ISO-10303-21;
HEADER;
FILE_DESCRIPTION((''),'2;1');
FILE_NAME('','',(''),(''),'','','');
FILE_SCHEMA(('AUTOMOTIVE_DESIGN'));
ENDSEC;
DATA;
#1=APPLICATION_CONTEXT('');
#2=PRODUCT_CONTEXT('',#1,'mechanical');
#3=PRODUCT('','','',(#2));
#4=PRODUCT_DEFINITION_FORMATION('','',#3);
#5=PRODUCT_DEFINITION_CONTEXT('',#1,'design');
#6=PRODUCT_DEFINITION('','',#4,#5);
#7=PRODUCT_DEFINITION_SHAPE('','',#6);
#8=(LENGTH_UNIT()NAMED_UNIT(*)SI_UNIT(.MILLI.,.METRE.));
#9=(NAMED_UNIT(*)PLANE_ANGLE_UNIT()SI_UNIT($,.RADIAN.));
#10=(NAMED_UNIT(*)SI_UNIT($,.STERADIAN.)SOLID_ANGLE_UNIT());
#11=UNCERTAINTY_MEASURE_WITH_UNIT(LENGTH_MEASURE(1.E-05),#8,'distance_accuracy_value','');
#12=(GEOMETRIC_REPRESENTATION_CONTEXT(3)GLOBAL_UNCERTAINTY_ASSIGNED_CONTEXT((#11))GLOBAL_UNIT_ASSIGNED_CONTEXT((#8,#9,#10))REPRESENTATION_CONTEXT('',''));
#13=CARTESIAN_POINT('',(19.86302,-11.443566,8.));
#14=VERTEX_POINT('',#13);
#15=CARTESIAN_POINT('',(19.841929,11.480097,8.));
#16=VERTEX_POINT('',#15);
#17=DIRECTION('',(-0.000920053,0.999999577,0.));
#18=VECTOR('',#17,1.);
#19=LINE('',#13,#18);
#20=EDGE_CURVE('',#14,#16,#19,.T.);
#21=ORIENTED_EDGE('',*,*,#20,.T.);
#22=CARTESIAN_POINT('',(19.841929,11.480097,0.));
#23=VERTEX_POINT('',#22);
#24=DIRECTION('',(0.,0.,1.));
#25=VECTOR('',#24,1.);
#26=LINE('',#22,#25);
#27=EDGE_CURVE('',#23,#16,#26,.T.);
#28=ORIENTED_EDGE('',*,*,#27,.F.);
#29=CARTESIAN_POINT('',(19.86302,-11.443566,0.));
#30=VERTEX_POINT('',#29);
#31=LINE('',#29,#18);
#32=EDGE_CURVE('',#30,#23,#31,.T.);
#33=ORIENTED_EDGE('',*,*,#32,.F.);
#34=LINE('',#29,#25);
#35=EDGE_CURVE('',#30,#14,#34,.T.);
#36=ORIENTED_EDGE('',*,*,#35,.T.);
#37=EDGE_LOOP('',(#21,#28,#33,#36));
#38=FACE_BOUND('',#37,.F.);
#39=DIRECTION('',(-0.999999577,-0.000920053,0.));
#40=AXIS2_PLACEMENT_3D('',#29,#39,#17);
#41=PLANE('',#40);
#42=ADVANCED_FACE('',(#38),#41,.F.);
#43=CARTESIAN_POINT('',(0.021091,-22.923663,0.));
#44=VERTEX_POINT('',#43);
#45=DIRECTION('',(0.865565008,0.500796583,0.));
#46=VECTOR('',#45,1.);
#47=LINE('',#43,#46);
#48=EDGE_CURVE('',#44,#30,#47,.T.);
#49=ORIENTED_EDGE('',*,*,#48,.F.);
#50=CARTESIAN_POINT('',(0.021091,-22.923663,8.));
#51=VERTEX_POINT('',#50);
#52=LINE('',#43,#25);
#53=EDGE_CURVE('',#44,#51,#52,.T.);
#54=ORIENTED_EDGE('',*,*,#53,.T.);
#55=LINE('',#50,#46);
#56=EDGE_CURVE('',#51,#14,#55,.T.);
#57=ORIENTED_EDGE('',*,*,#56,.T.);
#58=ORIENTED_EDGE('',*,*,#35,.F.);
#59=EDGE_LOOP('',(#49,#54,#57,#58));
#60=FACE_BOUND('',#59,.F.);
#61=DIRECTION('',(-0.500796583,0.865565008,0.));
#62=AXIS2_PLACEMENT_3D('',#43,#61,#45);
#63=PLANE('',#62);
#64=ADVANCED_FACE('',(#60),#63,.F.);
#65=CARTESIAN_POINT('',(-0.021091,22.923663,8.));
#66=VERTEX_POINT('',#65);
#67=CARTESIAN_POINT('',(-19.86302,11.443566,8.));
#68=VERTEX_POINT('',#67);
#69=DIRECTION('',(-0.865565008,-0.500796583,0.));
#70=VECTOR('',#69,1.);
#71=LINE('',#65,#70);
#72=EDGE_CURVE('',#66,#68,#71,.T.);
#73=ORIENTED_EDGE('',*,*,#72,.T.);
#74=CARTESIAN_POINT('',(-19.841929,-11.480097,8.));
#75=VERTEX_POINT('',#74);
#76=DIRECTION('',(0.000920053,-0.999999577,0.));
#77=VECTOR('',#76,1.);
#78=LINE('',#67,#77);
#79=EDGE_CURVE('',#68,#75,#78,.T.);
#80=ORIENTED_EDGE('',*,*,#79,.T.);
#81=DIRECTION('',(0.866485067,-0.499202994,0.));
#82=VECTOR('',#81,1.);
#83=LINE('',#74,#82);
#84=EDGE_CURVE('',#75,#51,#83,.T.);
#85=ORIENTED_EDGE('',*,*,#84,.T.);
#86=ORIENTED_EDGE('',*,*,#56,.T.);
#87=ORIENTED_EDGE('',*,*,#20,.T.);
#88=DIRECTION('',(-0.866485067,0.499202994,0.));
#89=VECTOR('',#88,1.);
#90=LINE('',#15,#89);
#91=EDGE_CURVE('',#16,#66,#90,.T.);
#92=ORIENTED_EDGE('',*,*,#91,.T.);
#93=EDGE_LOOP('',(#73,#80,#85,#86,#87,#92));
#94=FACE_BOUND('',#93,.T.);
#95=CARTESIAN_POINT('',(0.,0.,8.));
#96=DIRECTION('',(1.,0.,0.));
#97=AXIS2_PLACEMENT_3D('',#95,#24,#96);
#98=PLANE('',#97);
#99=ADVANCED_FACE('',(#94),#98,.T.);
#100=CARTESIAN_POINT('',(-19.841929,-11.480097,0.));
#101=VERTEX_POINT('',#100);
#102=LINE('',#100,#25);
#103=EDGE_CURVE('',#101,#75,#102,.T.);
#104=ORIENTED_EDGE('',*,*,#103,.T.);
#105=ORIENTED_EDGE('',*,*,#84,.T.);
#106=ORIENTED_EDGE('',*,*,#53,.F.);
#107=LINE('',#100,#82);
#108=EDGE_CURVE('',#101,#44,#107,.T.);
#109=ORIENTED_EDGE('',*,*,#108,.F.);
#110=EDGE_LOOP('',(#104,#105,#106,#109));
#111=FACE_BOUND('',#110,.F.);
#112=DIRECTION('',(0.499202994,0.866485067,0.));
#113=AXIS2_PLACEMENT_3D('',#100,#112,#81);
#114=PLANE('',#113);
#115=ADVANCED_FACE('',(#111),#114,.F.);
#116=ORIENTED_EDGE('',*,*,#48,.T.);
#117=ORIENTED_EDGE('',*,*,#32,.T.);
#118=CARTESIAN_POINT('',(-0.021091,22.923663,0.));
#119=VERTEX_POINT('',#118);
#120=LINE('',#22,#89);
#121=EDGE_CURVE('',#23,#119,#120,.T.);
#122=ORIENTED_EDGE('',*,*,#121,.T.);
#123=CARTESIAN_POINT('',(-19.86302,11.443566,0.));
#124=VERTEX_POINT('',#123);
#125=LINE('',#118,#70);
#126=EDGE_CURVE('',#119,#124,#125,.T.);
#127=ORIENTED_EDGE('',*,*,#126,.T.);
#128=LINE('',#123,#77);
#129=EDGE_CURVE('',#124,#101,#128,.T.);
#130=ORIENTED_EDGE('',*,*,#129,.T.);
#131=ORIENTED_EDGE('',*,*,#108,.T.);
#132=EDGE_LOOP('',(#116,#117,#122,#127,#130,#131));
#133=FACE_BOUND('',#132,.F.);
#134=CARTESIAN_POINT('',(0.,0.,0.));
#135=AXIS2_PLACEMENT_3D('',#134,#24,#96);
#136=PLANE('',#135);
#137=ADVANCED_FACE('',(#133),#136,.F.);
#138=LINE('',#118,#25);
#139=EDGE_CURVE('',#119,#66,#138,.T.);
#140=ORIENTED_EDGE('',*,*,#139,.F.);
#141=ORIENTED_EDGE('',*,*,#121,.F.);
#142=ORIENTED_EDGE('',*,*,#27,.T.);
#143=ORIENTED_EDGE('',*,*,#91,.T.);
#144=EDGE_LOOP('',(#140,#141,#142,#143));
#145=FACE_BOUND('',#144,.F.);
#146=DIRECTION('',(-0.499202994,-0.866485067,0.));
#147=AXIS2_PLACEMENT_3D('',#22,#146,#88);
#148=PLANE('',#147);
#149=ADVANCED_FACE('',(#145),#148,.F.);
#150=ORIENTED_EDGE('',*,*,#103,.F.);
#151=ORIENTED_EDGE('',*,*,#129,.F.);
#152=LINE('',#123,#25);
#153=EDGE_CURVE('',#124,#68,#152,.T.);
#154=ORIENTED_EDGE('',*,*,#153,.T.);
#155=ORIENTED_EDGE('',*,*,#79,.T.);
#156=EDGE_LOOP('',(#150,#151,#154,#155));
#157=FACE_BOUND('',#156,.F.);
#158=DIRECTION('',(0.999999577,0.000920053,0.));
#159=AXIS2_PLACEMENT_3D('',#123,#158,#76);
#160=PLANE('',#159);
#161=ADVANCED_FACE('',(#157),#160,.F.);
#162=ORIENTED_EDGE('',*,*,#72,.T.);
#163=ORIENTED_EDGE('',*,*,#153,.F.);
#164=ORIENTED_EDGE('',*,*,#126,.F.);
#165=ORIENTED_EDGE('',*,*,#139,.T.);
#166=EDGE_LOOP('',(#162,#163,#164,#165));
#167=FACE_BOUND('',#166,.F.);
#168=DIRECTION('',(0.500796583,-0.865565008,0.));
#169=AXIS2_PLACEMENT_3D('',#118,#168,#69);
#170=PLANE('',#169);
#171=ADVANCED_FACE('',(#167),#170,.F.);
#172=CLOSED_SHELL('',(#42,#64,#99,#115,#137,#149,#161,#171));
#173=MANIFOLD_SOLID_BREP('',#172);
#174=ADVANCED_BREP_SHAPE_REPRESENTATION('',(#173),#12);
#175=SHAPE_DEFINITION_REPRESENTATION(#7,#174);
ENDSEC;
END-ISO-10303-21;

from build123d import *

# Parameters (mm, degrees)
F3_DEPTH = 8
F0_R     = 5.1
F4_DEPTH = 25.4
F5_DEPTH = 25.4


with BuildPart() as f3:
    # F2 (on face) → F3 (new body)
    with BuildSketch(Plane.XY):
        Polygon((0.021091, -22.923663), (19.86302, -11.443566), (19.841929, 11.480097), (-0.021091, 22.923663), (-19.86302, 11.443566), (-19.841929, -11.480097), align=None)
    extrude(amount=F3_DEPTH)

    # F0 (on Top) → F4 (cut)
    with BuildSketch(Plane.XY):
        Circle(F0_R)
    extrude(amount=-F4_DEPTH, mode=Mode.SUBTRACT)

    # F0 (on Top) → F5 (cut)
    with BuildSketch(Plane.XY):
        Circle(F0_R)
    extrude(amount=-F5_DEPTH, mode=Mode.SUBTRACT)


solid = f3.part
